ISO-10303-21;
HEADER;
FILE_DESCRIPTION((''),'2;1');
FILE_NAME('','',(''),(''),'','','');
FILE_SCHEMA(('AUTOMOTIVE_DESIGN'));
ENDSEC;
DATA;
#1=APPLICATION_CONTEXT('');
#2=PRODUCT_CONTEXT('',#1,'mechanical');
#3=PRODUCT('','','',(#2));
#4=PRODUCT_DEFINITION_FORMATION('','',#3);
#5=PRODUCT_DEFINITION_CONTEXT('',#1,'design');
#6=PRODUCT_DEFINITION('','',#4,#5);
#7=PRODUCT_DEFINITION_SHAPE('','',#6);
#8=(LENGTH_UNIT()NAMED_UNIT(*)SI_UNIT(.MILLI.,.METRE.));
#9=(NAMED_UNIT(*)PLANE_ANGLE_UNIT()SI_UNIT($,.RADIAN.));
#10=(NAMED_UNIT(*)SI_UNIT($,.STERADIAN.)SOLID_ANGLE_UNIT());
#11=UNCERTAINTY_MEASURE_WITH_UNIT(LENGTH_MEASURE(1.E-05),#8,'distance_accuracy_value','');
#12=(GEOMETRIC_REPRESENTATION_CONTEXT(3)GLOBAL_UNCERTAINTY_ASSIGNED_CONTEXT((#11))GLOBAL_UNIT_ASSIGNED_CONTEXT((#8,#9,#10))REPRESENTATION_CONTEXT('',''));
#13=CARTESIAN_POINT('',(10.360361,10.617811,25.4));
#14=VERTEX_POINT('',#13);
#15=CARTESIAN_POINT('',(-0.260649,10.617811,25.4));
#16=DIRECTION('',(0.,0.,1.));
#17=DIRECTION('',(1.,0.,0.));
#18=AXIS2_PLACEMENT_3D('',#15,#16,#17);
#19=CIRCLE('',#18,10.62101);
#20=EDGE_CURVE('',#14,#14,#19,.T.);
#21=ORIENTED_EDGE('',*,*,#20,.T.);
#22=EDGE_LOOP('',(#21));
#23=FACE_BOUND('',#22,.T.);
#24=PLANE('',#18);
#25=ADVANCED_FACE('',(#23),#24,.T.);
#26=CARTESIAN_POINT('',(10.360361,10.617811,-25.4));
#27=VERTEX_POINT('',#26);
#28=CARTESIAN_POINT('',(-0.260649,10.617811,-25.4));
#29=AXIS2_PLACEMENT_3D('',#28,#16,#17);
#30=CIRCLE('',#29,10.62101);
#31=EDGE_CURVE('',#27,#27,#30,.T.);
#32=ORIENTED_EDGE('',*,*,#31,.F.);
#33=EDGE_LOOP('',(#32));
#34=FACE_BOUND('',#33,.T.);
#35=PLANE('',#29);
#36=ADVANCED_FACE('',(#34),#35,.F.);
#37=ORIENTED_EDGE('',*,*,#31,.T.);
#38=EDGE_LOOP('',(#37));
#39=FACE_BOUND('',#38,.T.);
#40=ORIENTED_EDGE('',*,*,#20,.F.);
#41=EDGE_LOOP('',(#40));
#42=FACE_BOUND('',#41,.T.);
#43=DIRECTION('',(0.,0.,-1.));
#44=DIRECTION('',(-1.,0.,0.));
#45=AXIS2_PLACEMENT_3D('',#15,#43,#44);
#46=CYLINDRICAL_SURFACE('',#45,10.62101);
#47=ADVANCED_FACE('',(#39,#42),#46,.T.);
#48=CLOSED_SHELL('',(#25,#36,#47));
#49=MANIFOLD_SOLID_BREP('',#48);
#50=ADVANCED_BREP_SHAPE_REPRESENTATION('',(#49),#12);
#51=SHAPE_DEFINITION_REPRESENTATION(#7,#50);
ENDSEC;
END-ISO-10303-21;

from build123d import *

# Parameters (mm, degrees)
SKETCH1_R      = 10.62101
EXTRUDE1_DEPTH = 25.4


with BuildPart() as part:
    # Sketch1 → Extrude1 (new, symmetric)
    with BuildSketch(Plane.XY):
        with Locations((-0.260648899, 10.617811242)):
            Circle(SKETCH1_R)
    extrude(amount=EXTRUDE1_DEPTH, both=True)


solid = part.part
